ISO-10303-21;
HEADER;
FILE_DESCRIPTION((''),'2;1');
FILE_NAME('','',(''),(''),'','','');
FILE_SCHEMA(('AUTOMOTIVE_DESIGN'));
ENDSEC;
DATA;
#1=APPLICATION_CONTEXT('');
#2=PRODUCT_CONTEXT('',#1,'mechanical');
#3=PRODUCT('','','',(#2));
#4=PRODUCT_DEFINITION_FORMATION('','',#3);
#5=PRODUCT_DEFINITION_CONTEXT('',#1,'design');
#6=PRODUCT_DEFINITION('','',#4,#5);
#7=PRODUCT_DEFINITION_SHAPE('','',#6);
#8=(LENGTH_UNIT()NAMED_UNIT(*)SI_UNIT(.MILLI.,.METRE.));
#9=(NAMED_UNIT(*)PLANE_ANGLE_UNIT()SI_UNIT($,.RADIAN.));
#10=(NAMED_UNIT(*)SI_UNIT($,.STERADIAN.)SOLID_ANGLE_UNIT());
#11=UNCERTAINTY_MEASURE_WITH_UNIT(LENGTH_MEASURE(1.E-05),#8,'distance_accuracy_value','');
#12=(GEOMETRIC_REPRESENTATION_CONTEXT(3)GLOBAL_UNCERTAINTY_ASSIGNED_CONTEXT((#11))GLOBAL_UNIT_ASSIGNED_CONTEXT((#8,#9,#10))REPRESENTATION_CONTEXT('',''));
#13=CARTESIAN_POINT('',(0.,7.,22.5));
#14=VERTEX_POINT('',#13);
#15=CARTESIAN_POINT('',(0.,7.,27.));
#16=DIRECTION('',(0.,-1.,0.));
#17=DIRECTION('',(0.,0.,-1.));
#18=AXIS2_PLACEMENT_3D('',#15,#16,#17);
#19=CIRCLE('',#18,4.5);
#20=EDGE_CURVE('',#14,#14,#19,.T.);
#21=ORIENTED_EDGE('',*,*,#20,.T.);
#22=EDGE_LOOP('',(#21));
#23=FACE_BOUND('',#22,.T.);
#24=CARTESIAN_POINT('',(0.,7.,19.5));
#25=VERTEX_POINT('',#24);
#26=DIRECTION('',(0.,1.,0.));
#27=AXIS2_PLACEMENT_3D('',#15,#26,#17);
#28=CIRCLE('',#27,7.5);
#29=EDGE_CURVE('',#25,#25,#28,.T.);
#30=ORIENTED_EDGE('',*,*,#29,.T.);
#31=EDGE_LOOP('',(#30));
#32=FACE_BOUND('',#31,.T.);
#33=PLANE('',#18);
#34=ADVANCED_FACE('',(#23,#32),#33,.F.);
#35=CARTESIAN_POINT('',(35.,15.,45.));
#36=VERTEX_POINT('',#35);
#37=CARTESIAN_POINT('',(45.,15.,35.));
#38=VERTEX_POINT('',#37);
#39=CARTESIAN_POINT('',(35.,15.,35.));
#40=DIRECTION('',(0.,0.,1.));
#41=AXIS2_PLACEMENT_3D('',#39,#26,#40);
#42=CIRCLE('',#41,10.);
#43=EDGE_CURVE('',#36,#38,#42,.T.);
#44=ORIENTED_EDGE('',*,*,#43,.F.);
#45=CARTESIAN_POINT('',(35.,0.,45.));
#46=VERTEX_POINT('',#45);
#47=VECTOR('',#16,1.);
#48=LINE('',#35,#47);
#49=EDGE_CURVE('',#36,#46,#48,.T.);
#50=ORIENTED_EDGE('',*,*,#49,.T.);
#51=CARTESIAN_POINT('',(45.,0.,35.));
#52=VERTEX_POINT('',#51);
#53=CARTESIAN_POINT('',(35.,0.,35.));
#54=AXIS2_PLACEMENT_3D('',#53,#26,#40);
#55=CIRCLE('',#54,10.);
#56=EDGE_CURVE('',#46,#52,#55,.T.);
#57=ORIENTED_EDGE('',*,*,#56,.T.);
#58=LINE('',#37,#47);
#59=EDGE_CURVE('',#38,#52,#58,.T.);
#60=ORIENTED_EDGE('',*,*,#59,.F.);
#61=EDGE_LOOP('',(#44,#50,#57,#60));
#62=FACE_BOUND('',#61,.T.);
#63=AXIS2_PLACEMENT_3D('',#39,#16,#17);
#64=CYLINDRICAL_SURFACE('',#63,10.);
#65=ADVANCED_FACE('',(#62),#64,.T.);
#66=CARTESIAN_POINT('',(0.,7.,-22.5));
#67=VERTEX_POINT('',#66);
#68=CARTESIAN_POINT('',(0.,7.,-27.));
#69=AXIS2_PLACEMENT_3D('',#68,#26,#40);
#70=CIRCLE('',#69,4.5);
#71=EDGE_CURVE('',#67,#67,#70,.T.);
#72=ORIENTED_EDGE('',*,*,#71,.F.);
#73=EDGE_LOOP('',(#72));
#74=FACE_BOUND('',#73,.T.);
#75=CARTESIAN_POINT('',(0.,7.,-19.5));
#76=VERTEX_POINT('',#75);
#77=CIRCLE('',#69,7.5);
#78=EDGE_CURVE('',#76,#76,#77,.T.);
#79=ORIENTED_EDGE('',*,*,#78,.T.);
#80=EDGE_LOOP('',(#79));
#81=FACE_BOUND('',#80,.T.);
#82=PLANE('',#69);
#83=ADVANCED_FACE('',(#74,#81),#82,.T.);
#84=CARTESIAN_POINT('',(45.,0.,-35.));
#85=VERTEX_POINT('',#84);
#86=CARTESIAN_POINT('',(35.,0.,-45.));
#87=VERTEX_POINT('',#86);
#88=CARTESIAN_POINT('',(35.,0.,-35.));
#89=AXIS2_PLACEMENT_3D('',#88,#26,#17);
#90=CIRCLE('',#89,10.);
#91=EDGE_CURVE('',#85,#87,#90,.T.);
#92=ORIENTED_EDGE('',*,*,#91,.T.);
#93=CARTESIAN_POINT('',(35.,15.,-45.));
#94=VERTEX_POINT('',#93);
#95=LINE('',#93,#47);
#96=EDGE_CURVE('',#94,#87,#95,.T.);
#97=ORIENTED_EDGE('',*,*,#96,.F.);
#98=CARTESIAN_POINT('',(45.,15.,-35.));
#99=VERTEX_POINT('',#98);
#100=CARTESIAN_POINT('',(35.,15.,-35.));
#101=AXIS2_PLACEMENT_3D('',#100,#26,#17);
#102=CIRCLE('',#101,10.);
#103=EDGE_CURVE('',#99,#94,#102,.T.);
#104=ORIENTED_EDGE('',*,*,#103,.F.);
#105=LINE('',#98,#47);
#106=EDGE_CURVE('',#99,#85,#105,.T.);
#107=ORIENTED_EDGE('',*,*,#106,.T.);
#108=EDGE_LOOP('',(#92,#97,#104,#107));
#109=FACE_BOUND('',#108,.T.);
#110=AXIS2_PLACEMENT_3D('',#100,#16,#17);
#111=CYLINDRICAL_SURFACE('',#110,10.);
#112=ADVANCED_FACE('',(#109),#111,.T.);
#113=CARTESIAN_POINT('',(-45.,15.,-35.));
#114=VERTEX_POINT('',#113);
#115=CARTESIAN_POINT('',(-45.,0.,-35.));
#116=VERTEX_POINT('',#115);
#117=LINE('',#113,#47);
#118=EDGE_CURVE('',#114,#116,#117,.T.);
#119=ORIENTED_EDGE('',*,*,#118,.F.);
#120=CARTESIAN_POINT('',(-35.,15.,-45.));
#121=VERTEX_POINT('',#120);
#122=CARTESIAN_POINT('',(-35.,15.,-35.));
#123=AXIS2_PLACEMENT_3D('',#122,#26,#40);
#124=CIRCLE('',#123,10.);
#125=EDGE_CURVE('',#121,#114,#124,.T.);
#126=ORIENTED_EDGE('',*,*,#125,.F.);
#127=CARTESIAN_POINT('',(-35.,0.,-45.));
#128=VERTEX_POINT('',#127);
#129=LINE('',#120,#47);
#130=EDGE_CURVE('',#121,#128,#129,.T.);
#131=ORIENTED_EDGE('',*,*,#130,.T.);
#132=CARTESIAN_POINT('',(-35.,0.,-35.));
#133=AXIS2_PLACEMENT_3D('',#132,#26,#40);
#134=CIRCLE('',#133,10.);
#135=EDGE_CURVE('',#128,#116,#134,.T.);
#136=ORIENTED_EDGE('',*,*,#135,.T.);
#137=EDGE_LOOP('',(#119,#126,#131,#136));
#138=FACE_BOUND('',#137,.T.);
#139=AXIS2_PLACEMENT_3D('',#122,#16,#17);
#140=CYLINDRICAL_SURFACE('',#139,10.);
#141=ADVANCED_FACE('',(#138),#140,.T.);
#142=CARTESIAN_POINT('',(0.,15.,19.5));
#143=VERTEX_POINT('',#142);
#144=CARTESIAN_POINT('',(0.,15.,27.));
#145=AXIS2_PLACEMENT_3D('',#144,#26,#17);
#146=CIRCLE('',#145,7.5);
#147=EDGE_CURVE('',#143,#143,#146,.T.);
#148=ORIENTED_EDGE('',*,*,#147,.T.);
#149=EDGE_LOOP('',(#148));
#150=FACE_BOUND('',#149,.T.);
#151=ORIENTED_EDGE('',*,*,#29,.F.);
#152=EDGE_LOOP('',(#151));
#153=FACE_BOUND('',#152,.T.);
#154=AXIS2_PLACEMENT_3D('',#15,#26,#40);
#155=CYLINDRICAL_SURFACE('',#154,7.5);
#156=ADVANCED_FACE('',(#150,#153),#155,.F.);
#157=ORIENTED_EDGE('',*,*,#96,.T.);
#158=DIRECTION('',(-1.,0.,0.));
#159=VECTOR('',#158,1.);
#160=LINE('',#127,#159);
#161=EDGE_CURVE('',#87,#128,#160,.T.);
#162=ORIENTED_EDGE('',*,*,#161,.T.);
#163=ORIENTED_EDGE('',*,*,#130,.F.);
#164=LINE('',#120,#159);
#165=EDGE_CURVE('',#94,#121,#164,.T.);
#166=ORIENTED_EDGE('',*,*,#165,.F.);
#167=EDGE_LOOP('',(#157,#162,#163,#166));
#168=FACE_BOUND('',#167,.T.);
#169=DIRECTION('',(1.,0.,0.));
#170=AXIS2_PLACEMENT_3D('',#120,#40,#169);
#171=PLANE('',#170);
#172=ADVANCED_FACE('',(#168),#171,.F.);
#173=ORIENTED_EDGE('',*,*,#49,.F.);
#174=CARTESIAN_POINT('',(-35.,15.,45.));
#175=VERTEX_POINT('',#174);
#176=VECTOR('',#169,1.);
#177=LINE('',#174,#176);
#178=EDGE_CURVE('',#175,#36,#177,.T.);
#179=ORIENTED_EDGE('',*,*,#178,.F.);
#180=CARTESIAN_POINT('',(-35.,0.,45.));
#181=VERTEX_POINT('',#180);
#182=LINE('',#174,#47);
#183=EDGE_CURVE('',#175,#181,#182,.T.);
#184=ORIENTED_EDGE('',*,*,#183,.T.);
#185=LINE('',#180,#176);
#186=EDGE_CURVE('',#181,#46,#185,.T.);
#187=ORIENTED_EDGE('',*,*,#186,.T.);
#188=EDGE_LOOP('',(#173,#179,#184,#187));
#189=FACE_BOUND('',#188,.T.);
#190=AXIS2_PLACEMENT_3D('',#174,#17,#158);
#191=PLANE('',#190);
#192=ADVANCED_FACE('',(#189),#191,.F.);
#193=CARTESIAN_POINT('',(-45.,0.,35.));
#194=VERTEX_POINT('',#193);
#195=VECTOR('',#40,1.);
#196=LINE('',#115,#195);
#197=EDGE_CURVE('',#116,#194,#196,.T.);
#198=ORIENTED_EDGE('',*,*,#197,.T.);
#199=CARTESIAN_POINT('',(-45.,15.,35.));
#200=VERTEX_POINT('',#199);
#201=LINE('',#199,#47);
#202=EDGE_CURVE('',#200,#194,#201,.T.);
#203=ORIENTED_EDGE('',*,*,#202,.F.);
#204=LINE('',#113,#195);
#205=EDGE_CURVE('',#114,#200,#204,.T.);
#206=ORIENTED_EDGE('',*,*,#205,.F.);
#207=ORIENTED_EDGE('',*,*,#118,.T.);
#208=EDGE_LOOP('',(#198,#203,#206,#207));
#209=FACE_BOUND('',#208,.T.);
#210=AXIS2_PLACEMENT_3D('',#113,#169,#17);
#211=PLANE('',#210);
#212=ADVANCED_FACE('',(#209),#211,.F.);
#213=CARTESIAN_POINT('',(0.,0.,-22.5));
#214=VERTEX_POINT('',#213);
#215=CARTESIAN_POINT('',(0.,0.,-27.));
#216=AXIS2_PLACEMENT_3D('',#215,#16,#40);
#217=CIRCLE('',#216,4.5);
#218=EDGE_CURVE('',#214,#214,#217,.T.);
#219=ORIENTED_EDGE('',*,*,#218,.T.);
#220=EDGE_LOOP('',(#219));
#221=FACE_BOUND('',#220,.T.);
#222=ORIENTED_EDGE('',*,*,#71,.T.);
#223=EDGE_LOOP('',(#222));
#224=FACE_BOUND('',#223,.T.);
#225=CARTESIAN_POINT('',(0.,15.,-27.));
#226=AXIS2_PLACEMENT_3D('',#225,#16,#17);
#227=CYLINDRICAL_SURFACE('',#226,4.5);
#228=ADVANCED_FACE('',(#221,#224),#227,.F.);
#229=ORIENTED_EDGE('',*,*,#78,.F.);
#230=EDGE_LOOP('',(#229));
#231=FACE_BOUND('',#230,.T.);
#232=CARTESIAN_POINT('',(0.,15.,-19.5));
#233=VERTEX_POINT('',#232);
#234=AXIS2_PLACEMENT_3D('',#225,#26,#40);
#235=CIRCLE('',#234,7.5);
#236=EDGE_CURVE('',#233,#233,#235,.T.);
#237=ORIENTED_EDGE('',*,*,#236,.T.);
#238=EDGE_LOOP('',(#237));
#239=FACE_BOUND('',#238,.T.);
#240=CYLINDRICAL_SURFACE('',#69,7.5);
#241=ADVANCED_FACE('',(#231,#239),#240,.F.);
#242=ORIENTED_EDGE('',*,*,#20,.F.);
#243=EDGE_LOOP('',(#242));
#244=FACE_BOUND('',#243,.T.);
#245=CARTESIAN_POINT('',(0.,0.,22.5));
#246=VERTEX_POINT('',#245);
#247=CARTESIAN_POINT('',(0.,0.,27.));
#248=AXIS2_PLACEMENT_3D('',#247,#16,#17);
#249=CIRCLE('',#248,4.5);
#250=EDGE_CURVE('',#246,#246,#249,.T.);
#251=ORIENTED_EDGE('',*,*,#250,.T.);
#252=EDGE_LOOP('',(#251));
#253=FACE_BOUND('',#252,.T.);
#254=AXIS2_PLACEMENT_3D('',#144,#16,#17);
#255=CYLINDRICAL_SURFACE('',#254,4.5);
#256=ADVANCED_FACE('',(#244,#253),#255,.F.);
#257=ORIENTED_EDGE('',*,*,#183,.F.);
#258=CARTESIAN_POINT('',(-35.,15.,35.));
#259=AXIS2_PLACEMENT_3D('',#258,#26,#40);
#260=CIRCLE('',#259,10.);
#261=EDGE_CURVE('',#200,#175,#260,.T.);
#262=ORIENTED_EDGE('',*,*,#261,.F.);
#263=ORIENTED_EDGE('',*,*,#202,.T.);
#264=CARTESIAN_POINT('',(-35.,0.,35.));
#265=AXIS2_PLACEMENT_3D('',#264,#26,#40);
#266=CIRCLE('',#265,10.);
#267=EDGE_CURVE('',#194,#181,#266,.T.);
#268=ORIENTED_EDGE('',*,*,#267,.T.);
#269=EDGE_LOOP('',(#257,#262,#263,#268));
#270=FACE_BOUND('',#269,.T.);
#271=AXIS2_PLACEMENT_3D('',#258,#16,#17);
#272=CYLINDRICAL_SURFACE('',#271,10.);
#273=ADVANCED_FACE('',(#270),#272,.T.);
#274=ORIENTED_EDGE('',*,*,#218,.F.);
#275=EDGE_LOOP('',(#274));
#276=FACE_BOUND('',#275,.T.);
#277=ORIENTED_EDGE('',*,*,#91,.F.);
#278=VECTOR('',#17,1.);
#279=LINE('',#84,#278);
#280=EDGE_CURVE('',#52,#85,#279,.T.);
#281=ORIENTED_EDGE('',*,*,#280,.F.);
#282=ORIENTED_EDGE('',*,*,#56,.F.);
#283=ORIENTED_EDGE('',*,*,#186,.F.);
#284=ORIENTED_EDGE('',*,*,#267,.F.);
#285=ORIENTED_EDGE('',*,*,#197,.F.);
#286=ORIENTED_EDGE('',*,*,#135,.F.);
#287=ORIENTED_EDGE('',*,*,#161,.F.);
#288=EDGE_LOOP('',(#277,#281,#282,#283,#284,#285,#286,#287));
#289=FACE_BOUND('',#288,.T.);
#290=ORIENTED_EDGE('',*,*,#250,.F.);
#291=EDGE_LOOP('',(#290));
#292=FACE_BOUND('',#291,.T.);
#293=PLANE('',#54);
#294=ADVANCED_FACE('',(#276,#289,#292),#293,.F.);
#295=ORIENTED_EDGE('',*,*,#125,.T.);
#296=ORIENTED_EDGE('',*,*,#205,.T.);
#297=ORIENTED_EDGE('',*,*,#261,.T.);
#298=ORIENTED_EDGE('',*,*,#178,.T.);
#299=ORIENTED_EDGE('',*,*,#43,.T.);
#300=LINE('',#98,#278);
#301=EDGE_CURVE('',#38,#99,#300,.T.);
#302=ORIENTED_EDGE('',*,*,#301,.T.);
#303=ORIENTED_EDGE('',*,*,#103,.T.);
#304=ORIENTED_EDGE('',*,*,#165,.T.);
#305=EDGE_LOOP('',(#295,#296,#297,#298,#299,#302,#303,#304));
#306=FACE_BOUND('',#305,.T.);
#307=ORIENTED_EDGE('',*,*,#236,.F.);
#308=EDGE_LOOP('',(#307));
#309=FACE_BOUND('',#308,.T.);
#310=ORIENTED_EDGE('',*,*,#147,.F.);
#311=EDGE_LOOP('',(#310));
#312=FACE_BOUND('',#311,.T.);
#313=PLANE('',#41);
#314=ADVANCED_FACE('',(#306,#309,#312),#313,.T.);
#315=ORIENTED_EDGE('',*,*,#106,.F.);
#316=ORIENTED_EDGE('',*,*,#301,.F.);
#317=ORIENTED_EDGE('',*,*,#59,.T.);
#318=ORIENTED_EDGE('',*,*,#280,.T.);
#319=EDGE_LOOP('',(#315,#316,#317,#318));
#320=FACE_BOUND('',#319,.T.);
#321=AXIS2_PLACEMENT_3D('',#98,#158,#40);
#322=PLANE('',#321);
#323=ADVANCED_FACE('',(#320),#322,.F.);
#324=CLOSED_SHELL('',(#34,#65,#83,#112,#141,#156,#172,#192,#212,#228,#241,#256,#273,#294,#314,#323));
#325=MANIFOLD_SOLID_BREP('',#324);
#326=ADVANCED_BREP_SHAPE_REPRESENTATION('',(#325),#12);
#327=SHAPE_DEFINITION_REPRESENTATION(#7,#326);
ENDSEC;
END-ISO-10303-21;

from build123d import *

# Parameters (mm, degrees)
EXTRUDE_2_DEPTH     = 15
SKETCH_3_R          = 7.5
CUT_EXTRUDE_1_DEPTH = 8
SKETCH_4_R          = 4.5
CUT_EXTRUDE_2_DEPTH = 66.383484153


with BuildPart() as part:
    # 草图2 → 凸台-拉伸2 (new body)
    with BuildSketch(Plane(origin=(0, 0, 0), x_dir=(1, 0, 0), z_dir=(0, 1, 0))):
        with BuildLine():
            Line((-35, 45), (35, 45))
            ThreePointArc((35, 45), (42.071067812, 42.071067812), (45, 35))
            Line((45, 35), (45, -35))
            ThreePointArc((45, -35), (42.071067812, -42.071067812), (35, -45))
            Line((35, -45), (-35, -45))
            ThreePointArc((-35, -45), (-42.071067812, -42.071067812), (-45, -35))
            Line((-45, -35), (-45, 35))
            ThreePointArc((-45, 35), (-42.071067812, 42.071067812), (-35, 45))
        make_face()
    extrude(amount=EXTRUDE_2_DEPTH)

    # 草图3 → 切除-拉伸1 (cut)
    with BuildSketch(Plane(origin=(0, 15, 0), x_dir=(1, 0, 0), z_dir=(0, 1, 0))):
        with Locations(Location((0, 27, 0), (0, 0, 270))):
            Circle(SKETCH_3_R)
        with Locations(Location((0, -27, 0), (0, 0, 90))):
            Circle(SKETCH_3_R)
    extrude(amount=-CUT_EXTRUDE_1_DEPTH, mode=Mode.SUBTRACT)

    # 草图4 → 切除-拉伸2 (cut, through all)
    with BuildSketch(Plane.XZ):
        with Locations(Location((0, 27, 0), (0, 0, 270))):
            Circle(SKETCH_4_R)
        with Locations(Location((0, -27, 0), (0, 0, 90))):
            Circle(SKETCH_4_R)
    extrude(amount=-CUT_EXTRUDE_2_DEPTH, mode=Mode.SUBTRACT)


solid = part.part
